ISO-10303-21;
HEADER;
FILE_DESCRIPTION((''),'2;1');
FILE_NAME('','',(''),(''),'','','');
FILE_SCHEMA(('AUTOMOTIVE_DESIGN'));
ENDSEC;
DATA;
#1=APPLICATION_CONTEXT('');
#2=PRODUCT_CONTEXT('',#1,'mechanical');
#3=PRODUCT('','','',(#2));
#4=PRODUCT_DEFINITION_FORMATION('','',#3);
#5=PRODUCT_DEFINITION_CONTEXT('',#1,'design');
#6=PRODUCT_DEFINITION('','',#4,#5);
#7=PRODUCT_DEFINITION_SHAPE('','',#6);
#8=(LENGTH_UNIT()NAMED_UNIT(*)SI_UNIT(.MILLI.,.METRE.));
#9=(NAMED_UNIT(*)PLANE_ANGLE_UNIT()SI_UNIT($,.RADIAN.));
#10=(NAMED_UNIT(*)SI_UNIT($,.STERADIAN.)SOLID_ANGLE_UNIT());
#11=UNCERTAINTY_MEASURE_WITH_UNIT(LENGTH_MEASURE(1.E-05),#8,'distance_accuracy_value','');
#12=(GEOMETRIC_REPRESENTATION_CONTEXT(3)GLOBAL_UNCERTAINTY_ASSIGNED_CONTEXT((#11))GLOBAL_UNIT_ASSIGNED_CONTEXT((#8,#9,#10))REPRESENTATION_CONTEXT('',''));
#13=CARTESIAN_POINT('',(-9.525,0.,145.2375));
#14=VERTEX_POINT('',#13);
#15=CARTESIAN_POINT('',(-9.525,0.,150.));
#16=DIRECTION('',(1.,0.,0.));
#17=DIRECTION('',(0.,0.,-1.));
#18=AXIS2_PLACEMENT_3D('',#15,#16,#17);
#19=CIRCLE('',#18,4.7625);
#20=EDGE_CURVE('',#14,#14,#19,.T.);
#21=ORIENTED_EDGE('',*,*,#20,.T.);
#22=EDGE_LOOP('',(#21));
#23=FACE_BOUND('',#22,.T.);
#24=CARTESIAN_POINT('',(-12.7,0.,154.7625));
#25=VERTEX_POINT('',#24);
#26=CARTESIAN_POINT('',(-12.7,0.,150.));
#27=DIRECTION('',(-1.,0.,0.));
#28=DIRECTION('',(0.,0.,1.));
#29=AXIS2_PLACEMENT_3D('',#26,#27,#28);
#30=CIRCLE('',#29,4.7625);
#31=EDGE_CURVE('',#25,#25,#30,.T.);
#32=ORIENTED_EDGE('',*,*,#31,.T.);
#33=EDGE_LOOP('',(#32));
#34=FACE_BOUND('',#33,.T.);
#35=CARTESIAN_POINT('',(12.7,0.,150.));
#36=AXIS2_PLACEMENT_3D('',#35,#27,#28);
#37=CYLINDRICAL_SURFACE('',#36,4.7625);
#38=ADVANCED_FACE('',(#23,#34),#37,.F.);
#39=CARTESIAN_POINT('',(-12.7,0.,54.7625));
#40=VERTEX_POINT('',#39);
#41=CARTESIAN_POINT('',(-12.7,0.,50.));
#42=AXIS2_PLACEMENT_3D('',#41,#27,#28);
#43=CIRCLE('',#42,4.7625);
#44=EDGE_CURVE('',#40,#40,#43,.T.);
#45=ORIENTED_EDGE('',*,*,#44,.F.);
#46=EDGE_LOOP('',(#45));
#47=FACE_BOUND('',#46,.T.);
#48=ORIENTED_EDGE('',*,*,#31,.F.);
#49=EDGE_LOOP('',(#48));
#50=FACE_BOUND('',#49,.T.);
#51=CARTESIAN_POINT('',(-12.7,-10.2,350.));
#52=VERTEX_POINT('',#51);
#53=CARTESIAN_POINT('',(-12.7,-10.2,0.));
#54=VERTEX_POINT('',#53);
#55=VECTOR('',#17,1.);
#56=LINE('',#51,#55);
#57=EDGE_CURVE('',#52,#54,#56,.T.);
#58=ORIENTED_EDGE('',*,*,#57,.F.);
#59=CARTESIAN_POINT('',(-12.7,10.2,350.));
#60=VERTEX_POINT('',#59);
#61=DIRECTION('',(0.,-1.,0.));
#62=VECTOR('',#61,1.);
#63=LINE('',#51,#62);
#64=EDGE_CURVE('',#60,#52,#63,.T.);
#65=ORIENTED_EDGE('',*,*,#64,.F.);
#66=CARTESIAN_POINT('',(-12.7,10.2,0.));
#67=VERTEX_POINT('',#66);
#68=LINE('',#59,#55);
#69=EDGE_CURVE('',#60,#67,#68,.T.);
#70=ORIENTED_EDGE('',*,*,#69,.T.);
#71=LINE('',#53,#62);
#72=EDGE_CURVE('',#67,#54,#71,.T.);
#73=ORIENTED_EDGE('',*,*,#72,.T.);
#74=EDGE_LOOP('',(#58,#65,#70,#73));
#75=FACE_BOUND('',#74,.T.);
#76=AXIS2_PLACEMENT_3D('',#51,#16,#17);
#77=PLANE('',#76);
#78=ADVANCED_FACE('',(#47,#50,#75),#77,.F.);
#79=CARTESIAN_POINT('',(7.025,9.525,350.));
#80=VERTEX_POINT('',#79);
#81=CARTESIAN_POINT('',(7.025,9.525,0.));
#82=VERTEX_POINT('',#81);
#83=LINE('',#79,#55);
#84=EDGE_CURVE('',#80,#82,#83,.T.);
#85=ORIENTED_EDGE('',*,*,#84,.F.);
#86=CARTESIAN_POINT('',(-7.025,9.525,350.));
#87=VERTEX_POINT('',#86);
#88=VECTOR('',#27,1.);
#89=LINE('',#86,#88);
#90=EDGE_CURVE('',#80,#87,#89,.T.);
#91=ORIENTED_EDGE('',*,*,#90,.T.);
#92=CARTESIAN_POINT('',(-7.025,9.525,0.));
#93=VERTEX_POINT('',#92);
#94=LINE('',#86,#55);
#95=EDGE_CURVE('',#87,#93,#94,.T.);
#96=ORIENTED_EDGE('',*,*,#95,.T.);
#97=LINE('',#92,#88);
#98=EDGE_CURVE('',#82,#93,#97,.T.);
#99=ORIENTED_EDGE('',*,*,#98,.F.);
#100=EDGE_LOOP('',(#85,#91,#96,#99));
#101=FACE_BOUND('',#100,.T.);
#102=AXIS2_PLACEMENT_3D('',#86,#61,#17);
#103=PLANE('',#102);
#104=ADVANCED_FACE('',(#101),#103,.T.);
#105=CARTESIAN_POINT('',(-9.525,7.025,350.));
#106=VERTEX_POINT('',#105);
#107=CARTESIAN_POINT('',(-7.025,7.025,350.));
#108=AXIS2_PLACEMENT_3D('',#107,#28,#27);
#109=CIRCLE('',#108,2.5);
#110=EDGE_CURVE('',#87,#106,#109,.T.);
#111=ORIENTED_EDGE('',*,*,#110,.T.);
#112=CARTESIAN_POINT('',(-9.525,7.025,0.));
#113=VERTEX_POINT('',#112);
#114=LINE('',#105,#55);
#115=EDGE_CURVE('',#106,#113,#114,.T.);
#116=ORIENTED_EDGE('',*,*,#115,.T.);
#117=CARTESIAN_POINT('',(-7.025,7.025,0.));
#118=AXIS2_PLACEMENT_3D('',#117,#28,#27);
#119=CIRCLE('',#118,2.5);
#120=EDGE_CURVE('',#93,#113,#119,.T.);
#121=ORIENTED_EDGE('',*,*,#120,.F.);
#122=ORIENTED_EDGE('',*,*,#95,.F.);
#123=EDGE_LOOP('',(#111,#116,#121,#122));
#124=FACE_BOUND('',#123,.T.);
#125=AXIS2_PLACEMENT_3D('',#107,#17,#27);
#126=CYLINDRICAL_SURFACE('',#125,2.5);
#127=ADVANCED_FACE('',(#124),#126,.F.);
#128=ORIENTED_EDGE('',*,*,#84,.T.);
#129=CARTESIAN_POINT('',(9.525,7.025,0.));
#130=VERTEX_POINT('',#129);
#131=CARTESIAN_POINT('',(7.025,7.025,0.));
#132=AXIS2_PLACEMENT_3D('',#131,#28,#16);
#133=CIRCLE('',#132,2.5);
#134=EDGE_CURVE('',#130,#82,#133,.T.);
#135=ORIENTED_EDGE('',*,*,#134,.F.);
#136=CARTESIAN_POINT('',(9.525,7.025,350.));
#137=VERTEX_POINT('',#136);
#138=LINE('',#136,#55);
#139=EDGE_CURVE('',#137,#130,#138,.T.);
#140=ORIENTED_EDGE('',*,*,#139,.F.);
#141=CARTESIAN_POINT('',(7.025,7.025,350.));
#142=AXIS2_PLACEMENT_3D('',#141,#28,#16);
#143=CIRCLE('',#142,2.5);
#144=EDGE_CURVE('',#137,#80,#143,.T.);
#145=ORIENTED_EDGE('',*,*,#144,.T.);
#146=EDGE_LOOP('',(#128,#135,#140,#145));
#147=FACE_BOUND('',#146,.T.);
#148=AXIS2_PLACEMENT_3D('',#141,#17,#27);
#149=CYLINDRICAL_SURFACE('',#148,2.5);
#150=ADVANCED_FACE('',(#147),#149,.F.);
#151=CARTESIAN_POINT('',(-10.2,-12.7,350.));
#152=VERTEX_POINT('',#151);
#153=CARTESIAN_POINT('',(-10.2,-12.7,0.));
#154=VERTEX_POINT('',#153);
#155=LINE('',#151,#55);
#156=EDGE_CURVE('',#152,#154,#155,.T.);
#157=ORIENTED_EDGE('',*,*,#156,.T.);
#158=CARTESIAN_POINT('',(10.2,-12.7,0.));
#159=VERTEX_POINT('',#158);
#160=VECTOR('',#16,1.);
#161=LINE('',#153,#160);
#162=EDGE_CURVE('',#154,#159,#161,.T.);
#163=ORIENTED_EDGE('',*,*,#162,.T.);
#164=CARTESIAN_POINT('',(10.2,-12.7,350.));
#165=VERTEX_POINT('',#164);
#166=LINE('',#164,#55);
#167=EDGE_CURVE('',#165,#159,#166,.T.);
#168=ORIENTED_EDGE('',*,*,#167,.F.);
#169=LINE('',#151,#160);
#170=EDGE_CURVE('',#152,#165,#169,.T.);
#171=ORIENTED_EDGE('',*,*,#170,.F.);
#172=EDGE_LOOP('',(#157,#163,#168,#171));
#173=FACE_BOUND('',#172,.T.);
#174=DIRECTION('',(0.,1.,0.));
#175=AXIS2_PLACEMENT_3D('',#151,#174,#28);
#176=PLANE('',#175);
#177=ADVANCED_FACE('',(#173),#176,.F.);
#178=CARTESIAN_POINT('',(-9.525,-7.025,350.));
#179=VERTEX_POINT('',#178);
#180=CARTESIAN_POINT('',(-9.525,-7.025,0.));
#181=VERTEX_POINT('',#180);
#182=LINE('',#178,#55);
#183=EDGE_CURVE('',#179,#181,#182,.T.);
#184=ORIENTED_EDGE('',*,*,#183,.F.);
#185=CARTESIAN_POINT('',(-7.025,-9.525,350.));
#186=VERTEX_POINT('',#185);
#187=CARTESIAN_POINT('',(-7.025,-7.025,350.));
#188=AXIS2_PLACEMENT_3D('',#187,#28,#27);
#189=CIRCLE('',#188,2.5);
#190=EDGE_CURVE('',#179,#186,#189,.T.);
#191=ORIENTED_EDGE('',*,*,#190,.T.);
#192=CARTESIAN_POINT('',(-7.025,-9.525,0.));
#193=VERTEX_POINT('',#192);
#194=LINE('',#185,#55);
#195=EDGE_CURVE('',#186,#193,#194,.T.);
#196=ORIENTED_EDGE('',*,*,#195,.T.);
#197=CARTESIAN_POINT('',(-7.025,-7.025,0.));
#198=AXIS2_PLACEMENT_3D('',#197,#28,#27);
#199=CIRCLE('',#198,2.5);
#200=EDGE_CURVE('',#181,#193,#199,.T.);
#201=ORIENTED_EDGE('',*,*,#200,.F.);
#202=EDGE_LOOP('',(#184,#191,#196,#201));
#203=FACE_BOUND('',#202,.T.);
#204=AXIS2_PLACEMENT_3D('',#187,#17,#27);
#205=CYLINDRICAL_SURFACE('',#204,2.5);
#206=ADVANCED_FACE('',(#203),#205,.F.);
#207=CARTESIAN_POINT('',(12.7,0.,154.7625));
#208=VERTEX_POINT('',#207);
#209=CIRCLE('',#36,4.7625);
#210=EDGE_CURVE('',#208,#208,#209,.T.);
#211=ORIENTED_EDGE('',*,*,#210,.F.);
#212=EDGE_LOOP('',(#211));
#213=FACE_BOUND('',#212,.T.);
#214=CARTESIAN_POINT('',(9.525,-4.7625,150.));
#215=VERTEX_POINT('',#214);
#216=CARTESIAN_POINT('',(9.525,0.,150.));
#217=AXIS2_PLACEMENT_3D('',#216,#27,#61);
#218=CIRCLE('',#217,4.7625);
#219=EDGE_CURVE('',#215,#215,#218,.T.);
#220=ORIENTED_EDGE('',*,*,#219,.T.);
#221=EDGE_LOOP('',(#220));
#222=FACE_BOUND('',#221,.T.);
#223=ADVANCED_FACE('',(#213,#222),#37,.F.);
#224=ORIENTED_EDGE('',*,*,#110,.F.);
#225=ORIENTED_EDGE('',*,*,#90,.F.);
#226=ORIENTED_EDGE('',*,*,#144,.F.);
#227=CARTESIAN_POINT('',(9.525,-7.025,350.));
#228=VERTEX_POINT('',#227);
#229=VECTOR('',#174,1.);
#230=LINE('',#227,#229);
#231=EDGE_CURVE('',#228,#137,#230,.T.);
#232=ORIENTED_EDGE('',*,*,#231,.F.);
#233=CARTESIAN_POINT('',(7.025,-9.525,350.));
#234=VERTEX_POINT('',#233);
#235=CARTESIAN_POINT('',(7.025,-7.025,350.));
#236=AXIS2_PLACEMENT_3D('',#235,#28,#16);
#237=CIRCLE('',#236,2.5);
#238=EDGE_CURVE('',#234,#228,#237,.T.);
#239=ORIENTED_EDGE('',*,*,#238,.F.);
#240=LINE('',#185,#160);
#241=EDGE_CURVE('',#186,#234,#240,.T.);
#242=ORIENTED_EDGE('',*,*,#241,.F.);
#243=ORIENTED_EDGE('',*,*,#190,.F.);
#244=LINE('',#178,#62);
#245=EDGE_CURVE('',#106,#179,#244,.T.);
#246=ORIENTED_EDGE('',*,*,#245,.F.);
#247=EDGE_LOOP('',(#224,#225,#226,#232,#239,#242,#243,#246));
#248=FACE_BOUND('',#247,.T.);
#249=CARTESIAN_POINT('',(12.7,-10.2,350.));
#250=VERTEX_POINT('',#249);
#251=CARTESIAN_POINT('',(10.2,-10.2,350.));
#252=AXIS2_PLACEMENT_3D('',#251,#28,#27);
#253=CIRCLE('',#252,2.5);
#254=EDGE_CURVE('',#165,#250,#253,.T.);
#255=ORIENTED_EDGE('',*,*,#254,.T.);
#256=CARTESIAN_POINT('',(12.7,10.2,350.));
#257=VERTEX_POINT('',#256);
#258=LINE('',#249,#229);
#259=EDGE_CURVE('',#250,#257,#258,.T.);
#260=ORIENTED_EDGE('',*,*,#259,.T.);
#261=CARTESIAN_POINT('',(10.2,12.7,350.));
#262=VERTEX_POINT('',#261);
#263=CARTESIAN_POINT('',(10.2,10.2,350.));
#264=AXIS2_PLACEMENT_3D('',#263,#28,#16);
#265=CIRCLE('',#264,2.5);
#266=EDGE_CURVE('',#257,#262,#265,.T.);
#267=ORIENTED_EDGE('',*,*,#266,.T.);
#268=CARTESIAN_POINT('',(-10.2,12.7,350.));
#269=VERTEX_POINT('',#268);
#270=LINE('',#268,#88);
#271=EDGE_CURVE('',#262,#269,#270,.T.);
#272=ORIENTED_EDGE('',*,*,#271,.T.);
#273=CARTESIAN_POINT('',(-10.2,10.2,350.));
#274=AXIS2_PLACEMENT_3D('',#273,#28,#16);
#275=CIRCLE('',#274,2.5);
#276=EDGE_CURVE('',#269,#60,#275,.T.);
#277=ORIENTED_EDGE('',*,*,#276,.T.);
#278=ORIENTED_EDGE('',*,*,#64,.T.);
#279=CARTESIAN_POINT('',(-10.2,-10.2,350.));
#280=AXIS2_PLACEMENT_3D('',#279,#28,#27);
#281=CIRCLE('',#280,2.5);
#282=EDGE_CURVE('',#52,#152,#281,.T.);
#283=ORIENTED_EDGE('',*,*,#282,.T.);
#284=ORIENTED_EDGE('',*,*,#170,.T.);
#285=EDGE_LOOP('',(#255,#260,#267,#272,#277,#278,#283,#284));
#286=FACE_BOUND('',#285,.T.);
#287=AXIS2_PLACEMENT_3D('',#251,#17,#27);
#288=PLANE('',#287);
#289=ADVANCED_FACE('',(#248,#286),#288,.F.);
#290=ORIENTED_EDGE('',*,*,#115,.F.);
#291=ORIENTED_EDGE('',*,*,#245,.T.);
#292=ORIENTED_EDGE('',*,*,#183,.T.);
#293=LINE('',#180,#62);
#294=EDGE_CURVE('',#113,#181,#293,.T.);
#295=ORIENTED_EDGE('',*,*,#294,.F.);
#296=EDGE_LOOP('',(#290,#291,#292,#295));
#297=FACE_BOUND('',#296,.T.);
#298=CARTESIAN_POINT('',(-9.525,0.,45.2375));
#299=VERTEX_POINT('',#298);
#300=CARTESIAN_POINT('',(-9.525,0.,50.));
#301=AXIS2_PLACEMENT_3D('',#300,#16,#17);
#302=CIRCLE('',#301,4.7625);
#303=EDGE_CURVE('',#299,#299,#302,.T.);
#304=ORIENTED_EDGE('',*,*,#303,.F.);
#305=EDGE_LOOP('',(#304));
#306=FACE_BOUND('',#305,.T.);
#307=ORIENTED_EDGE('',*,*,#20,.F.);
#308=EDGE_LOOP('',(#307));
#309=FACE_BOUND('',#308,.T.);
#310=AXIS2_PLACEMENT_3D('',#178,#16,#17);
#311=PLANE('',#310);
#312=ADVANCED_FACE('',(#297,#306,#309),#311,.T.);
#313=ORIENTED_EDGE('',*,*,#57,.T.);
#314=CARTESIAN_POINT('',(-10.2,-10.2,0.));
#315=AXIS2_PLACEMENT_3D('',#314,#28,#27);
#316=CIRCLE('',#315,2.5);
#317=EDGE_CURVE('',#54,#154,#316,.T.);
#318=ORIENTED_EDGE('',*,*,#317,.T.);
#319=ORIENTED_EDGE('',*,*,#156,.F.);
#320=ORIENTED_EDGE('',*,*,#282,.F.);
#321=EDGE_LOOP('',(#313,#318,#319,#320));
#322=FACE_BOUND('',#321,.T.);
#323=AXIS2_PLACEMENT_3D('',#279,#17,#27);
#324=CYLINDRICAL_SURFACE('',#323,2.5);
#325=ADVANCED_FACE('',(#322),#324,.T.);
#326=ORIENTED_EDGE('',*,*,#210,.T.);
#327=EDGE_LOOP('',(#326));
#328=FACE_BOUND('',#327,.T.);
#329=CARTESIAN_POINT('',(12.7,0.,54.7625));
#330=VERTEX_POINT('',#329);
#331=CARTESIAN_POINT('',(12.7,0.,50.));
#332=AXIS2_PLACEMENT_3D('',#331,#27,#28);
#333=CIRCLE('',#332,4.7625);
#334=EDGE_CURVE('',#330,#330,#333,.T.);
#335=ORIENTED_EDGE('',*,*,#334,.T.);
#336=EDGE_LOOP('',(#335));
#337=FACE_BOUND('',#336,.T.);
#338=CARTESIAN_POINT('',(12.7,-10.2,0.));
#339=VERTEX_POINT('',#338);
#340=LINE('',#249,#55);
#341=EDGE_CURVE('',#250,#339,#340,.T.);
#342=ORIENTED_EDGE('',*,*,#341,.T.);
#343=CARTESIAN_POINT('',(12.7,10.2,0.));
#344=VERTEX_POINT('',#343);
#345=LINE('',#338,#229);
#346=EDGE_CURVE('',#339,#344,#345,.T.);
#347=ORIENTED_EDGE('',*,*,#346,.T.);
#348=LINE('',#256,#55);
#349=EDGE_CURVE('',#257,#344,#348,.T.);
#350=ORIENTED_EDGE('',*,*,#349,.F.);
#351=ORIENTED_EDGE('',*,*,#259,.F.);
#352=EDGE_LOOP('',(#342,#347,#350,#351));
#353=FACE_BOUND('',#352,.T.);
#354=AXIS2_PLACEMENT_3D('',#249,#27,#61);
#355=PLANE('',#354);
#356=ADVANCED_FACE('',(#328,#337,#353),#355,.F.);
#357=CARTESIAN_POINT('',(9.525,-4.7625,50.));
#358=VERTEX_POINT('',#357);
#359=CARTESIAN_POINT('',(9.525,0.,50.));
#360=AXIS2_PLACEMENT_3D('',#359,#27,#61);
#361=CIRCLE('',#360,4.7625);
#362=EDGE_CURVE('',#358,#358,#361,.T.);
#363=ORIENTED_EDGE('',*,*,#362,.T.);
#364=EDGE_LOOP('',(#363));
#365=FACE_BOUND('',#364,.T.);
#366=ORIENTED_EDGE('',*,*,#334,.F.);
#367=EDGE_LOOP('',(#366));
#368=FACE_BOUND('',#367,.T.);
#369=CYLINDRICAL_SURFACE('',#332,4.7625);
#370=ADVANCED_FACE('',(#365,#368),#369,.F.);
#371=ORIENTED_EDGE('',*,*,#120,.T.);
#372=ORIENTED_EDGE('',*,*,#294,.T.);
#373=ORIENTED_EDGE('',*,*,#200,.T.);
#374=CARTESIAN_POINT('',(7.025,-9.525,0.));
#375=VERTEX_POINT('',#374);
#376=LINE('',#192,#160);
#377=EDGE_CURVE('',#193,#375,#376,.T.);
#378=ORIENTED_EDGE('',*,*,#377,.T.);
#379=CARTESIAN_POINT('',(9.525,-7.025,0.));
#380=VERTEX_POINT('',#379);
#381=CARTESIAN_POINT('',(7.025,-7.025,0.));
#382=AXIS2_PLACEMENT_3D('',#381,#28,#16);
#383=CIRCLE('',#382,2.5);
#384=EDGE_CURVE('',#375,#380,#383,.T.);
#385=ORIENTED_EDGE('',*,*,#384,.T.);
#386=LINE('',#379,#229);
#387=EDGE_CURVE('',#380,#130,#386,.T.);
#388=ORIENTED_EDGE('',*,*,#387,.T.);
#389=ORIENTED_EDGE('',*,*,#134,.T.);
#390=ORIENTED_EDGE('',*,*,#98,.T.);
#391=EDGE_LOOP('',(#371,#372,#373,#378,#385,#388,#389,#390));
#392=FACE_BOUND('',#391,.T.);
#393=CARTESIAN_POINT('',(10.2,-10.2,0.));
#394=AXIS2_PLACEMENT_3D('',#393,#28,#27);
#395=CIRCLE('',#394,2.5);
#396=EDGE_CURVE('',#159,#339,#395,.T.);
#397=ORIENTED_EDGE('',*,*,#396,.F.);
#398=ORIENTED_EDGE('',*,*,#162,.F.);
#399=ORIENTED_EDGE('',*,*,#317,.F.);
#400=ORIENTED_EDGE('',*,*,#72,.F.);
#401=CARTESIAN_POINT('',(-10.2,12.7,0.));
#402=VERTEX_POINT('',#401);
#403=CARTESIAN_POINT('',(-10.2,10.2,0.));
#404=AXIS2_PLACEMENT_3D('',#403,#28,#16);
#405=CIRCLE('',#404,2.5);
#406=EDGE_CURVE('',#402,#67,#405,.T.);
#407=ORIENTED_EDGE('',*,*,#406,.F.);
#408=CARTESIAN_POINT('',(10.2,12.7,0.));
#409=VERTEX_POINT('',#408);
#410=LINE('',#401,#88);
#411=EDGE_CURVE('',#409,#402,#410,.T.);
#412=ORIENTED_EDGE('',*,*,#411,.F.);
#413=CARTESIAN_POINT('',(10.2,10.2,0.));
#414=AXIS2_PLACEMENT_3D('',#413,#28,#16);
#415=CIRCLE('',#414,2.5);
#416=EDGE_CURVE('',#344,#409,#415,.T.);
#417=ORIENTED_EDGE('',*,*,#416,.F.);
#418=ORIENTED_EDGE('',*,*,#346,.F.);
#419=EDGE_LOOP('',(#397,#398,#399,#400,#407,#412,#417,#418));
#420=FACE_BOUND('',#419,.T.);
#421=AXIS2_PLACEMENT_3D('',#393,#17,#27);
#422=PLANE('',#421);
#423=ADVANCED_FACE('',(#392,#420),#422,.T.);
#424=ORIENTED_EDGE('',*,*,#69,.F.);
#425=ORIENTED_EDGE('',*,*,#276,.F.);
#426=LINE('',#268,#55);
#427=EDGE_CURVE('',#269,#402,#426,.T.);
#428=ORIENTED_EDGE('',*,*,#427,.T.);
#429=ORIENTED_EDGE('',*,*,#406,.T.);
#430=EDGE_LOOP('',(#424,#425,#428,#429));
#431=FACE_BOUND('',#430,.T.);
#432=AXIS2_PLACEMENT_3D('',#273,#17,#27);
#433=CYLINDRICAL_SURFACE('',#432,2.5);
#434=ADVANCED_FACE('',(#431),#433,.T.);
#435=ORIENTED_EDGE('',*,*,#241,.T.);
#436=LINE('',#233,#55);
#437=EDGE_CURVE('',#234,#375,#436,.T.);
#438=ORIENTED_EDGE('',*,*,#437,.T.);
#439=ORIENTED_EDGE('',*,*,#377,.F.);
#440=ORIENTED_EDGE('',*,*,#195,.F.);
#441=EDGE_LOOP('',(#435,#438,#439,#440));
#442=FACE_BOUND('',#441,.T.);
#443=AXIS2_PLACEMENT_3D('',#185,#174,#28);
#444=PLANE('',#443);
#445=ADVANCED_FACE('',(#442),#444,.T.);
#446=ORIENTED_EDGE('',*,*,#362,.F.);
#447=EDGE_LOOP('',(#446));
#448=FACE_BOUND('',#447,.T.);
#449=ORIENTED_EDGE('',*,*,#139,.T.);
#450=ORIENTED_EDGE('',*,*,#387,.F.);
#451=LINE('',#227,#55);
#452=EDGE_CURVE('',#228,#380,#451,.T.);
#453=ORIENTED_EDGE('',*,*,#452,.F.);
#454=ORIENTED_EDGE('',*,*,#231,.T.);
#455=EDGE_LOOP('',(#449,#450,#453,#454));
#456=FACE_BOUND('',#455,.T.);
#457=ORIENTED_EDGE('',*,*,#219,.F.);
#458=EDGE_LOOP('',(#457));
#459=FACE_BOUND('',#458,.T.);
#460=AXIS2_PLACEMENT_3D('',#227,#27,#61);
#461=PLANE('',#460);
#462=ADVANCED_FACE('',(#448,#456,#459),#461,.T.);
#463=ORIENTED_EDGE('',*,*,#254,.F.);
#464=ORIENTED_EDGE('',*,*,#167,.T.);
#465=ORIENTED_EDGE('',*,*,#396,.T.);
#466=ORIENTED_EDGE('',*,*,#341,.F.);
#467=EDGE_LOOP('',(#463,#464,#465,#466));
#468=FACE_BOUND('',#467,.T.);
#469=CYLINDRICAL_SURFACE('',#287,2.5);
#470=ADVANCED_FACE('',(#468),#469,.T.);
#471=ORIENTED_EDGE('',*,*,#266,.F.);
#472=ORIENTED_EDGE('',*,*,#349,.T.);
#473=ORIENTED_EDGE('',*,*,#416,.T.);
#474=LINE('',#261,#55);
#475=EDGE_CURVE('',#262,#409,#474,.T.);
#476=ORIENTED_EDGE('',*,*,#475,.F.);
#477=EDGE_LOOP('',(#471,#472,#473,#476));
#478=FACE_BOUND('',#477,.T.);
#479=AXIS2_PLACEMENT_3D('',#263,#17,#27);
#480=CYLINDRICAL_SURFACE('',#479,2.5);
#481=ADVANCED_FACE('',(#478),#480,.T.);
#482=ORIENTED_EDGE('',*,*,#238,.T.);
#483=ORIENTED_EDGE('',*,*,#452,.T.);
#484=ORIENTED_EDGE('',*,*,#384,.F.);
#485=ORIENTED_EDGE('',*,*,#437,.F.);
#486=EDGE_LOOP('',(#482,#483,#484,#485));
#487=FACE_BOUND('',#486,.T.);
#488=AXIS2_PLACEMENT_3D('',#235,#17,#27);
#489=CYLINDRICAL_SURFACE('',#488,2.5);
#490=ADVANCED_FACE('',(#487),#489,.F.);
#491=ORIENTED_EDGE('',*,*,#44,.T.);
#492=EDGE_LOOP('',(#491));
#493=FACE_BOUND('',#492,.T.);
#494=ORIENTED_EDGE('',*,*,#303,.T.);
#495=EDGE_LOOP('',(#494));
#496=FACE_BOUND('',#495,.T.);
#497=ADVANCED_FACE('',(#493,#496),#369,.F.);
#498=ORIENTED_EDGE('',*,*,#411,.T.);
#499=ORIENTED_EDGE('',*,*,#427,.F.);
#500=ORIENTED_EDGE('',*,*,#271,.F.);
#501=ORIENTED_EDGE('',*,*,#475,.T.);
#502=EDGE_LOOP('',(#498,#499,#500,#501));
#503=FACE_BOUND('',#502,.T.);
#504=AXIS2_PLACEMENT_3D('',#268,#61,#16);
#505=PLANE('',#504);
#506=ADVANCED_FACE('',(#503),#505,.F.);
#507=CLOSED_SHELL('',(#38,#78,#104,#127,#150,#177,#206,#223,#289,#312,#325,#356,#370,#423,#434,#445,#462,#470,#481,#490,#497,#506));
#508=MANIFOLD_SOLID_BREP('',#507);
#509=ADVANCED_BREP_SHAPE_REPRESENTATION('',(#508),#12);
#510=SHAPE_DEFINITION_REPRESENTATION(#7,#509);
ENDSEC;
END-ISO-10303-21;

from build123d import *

# Parameters (mm, degrees)
SALIENTE_EXTRUIR1_DEPTH = 350
CROQUIS2_R              = 4.7625
CORTAR_EXTRUIR1_DEPTH   = 26.4


with BuildPart() as part:
    # Croquis1 → Saliente-Extruir1 (new body)
    with BuildSketch(Plane.XY):
        with BuildLine():
            Line((-10.2, -12.7), (10.2, -12.7))
            ThreePointArc((10.2, -12.7), (11.967766953, -11.967766953), (12.7, -10.2))
            Line((12.7, -10.2), (12.7, 10.2))
            ThreePointArc((12.7, 10.2), (11.967766953, 11.967766953), (10.2, 12.7))
            Line((10.2, 12.7), (-10.2, 12.7))
            ThreePointArc((-10.2, 12.7), (-11.967766953, 11.967766953), (-12.7, 10.2))
            Line((-12.7, 10.2), (-12.7, -10.2))
            ThreePointArc((-12.7, -10.2), (-11.967766953, -11.967766953), (-10.2, -12.7))
        make_face()
        with BuildLine():
            Line((-7.025, -9.525), (7.025, -9.525))
            ThreePointArc((7.025, -9.525), (8.792766953, -8.792766953), (9.525, -7.025))
            Line((9.525, -7.025), (9.525, 7.025))
            ThreePointArc((9.525, 7.025), (8.792766953, 8.792766953), (7.025, 9.525))
            Line((7.025, 9.525), (-7.025, 9.525))
            ThreePointArc((-7.025, 9.525), (-8.792766953, 8.792766953), (-9.525, 7.025))
            Line((-9.525, 7.025), (-9.525, -7.025))
            ThreePointArc((-9.525, -7.025), (-8.792766953, -8.792766953), (-7.025, -9.525))
        make_face(mode=Mode.SUBTRACT)
    extrude(amount=SALIENTE_EXTRUIR1_DEPTH)

    # Croquis2 → Cortar-Extruir1 (cut, through all)
    with BuildSketch(Plane.ZY.offset(12.7)):
        with Locations((50, 0)):
            Circle(CROQUIS2_R)
        with Locations((150, 0)):
            Circle(CROQUIS2_R)
    extrude(amount=-CORTAR_EXTRUIR1_DEPTH, mode=Mode.SUBTRACT)


solid = part.part
